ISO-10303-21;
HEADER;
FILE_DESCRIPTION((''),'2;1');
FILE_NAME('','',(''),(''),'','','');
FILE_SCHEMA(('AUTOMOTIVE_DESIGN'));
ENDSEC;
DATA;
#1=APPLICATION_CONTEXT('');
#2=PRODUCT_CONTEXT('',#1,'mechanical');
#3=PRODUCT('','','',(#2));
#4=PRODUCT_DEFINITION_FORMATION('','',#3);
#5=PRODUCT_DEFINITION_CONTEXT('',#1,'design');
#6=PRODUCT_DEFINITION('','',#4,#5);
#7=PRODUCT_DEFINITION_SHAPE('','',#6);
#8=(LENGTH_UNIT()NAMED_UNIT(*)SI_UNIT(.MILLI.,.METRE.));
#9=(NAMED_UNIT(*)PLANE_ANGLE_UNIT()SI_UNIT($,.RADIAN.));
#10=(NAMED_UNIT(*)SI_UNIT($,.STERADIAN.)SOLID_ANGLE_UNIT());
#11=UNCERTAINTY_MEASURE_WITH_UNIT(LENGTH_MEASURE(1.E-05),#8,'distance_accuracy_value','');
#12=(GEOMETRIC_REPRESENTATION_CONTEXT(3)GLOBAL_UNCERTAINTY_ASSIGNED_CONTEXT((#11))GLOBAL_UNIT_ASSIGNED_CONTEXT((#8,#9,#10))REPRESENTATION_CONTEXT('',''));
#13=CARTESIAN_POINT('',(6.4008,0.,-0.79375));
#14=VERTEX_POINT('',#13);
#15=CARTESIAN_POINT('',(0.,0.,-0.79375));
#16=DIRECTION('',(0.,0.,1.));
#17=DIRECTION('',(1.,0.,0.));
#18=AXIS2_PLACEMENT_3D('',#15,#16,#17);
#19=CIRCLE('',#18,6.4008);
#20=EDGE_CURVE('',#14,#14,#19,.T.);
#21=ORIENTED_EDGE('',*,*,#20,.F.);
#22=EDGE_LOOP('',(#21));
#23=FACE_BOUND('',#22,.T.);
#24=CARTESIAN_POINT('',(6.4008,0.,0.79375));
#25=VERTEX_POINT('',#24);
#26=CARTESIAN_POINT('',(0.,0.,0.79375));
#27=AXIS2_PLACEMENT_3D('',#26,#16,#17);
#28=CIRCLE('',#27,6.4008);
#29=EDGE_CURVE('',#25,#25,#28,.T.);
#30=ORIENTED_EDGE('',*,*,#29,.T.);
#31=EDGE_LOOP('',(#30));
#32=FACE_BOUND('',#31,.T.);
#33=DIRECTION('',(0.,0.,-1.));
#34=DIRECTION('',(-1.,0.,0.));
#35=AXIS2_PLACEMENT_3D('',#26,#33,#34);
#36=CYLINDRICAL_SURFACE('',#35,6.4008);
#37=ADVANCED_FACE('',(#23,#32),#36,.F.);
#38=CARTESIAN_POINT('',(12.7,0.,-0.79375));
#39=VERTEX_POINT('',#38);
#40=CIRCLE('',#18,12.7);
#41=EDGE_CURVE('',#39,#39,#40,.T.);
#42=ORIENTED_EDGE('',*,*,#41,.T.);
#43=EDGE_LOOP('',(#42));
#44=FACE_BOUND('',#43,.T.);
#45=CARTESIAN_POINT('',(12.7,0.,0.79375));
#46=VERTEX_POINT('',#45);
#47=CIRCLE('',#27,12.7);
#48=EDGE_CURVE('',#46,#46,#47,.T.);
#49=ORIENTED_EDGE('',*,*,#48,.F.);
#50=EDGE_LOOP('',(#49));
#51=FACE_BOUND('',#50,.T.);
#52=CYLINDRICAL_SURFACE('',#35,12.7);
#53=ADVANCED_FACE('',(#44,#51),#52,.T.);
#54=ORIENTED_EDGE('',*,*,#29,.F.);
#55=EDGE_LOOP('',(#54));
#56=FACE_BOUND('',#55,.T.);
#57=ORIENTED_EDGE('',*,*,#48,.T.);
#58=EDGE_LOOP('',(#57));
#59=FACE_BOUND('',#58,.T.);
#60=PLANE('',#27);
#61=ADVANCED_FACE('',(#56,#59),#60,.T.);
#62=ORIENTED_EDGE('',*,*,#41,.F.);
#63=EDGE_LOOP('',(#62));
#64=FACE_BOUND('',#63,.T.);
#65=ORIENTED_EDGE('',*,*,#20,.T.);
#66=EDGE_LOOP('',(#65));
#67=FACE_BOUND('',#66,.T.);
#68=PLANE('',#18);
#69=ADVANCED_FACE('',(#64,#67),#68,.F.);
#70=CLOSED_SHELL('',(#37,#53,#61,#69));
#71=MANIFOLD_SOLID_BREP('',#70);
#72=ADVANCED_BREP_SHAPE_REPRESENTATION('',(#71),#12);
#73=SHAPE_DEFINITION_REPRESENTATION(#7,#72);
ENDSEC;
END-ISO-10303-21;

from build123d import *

# Parameters (mm, degrees)
SKETCH1_R      = 12.7
SKETCH1_R_2    = 6.4008
EXTRUDE1_DEPTH = 0.79375


with BuildPart() as part:
    # Sketch1 → Extrude1 (new body, symmetric)
    with BuildSketch(Plane.XY):
        Circle(SKETCH1_R)
        Circle(SKETCH1_R_2, mode=Mode.SUBTRACT)
    extrude(amount=EXTRUDE1_DEPTH, both=True)


solid = part.part
